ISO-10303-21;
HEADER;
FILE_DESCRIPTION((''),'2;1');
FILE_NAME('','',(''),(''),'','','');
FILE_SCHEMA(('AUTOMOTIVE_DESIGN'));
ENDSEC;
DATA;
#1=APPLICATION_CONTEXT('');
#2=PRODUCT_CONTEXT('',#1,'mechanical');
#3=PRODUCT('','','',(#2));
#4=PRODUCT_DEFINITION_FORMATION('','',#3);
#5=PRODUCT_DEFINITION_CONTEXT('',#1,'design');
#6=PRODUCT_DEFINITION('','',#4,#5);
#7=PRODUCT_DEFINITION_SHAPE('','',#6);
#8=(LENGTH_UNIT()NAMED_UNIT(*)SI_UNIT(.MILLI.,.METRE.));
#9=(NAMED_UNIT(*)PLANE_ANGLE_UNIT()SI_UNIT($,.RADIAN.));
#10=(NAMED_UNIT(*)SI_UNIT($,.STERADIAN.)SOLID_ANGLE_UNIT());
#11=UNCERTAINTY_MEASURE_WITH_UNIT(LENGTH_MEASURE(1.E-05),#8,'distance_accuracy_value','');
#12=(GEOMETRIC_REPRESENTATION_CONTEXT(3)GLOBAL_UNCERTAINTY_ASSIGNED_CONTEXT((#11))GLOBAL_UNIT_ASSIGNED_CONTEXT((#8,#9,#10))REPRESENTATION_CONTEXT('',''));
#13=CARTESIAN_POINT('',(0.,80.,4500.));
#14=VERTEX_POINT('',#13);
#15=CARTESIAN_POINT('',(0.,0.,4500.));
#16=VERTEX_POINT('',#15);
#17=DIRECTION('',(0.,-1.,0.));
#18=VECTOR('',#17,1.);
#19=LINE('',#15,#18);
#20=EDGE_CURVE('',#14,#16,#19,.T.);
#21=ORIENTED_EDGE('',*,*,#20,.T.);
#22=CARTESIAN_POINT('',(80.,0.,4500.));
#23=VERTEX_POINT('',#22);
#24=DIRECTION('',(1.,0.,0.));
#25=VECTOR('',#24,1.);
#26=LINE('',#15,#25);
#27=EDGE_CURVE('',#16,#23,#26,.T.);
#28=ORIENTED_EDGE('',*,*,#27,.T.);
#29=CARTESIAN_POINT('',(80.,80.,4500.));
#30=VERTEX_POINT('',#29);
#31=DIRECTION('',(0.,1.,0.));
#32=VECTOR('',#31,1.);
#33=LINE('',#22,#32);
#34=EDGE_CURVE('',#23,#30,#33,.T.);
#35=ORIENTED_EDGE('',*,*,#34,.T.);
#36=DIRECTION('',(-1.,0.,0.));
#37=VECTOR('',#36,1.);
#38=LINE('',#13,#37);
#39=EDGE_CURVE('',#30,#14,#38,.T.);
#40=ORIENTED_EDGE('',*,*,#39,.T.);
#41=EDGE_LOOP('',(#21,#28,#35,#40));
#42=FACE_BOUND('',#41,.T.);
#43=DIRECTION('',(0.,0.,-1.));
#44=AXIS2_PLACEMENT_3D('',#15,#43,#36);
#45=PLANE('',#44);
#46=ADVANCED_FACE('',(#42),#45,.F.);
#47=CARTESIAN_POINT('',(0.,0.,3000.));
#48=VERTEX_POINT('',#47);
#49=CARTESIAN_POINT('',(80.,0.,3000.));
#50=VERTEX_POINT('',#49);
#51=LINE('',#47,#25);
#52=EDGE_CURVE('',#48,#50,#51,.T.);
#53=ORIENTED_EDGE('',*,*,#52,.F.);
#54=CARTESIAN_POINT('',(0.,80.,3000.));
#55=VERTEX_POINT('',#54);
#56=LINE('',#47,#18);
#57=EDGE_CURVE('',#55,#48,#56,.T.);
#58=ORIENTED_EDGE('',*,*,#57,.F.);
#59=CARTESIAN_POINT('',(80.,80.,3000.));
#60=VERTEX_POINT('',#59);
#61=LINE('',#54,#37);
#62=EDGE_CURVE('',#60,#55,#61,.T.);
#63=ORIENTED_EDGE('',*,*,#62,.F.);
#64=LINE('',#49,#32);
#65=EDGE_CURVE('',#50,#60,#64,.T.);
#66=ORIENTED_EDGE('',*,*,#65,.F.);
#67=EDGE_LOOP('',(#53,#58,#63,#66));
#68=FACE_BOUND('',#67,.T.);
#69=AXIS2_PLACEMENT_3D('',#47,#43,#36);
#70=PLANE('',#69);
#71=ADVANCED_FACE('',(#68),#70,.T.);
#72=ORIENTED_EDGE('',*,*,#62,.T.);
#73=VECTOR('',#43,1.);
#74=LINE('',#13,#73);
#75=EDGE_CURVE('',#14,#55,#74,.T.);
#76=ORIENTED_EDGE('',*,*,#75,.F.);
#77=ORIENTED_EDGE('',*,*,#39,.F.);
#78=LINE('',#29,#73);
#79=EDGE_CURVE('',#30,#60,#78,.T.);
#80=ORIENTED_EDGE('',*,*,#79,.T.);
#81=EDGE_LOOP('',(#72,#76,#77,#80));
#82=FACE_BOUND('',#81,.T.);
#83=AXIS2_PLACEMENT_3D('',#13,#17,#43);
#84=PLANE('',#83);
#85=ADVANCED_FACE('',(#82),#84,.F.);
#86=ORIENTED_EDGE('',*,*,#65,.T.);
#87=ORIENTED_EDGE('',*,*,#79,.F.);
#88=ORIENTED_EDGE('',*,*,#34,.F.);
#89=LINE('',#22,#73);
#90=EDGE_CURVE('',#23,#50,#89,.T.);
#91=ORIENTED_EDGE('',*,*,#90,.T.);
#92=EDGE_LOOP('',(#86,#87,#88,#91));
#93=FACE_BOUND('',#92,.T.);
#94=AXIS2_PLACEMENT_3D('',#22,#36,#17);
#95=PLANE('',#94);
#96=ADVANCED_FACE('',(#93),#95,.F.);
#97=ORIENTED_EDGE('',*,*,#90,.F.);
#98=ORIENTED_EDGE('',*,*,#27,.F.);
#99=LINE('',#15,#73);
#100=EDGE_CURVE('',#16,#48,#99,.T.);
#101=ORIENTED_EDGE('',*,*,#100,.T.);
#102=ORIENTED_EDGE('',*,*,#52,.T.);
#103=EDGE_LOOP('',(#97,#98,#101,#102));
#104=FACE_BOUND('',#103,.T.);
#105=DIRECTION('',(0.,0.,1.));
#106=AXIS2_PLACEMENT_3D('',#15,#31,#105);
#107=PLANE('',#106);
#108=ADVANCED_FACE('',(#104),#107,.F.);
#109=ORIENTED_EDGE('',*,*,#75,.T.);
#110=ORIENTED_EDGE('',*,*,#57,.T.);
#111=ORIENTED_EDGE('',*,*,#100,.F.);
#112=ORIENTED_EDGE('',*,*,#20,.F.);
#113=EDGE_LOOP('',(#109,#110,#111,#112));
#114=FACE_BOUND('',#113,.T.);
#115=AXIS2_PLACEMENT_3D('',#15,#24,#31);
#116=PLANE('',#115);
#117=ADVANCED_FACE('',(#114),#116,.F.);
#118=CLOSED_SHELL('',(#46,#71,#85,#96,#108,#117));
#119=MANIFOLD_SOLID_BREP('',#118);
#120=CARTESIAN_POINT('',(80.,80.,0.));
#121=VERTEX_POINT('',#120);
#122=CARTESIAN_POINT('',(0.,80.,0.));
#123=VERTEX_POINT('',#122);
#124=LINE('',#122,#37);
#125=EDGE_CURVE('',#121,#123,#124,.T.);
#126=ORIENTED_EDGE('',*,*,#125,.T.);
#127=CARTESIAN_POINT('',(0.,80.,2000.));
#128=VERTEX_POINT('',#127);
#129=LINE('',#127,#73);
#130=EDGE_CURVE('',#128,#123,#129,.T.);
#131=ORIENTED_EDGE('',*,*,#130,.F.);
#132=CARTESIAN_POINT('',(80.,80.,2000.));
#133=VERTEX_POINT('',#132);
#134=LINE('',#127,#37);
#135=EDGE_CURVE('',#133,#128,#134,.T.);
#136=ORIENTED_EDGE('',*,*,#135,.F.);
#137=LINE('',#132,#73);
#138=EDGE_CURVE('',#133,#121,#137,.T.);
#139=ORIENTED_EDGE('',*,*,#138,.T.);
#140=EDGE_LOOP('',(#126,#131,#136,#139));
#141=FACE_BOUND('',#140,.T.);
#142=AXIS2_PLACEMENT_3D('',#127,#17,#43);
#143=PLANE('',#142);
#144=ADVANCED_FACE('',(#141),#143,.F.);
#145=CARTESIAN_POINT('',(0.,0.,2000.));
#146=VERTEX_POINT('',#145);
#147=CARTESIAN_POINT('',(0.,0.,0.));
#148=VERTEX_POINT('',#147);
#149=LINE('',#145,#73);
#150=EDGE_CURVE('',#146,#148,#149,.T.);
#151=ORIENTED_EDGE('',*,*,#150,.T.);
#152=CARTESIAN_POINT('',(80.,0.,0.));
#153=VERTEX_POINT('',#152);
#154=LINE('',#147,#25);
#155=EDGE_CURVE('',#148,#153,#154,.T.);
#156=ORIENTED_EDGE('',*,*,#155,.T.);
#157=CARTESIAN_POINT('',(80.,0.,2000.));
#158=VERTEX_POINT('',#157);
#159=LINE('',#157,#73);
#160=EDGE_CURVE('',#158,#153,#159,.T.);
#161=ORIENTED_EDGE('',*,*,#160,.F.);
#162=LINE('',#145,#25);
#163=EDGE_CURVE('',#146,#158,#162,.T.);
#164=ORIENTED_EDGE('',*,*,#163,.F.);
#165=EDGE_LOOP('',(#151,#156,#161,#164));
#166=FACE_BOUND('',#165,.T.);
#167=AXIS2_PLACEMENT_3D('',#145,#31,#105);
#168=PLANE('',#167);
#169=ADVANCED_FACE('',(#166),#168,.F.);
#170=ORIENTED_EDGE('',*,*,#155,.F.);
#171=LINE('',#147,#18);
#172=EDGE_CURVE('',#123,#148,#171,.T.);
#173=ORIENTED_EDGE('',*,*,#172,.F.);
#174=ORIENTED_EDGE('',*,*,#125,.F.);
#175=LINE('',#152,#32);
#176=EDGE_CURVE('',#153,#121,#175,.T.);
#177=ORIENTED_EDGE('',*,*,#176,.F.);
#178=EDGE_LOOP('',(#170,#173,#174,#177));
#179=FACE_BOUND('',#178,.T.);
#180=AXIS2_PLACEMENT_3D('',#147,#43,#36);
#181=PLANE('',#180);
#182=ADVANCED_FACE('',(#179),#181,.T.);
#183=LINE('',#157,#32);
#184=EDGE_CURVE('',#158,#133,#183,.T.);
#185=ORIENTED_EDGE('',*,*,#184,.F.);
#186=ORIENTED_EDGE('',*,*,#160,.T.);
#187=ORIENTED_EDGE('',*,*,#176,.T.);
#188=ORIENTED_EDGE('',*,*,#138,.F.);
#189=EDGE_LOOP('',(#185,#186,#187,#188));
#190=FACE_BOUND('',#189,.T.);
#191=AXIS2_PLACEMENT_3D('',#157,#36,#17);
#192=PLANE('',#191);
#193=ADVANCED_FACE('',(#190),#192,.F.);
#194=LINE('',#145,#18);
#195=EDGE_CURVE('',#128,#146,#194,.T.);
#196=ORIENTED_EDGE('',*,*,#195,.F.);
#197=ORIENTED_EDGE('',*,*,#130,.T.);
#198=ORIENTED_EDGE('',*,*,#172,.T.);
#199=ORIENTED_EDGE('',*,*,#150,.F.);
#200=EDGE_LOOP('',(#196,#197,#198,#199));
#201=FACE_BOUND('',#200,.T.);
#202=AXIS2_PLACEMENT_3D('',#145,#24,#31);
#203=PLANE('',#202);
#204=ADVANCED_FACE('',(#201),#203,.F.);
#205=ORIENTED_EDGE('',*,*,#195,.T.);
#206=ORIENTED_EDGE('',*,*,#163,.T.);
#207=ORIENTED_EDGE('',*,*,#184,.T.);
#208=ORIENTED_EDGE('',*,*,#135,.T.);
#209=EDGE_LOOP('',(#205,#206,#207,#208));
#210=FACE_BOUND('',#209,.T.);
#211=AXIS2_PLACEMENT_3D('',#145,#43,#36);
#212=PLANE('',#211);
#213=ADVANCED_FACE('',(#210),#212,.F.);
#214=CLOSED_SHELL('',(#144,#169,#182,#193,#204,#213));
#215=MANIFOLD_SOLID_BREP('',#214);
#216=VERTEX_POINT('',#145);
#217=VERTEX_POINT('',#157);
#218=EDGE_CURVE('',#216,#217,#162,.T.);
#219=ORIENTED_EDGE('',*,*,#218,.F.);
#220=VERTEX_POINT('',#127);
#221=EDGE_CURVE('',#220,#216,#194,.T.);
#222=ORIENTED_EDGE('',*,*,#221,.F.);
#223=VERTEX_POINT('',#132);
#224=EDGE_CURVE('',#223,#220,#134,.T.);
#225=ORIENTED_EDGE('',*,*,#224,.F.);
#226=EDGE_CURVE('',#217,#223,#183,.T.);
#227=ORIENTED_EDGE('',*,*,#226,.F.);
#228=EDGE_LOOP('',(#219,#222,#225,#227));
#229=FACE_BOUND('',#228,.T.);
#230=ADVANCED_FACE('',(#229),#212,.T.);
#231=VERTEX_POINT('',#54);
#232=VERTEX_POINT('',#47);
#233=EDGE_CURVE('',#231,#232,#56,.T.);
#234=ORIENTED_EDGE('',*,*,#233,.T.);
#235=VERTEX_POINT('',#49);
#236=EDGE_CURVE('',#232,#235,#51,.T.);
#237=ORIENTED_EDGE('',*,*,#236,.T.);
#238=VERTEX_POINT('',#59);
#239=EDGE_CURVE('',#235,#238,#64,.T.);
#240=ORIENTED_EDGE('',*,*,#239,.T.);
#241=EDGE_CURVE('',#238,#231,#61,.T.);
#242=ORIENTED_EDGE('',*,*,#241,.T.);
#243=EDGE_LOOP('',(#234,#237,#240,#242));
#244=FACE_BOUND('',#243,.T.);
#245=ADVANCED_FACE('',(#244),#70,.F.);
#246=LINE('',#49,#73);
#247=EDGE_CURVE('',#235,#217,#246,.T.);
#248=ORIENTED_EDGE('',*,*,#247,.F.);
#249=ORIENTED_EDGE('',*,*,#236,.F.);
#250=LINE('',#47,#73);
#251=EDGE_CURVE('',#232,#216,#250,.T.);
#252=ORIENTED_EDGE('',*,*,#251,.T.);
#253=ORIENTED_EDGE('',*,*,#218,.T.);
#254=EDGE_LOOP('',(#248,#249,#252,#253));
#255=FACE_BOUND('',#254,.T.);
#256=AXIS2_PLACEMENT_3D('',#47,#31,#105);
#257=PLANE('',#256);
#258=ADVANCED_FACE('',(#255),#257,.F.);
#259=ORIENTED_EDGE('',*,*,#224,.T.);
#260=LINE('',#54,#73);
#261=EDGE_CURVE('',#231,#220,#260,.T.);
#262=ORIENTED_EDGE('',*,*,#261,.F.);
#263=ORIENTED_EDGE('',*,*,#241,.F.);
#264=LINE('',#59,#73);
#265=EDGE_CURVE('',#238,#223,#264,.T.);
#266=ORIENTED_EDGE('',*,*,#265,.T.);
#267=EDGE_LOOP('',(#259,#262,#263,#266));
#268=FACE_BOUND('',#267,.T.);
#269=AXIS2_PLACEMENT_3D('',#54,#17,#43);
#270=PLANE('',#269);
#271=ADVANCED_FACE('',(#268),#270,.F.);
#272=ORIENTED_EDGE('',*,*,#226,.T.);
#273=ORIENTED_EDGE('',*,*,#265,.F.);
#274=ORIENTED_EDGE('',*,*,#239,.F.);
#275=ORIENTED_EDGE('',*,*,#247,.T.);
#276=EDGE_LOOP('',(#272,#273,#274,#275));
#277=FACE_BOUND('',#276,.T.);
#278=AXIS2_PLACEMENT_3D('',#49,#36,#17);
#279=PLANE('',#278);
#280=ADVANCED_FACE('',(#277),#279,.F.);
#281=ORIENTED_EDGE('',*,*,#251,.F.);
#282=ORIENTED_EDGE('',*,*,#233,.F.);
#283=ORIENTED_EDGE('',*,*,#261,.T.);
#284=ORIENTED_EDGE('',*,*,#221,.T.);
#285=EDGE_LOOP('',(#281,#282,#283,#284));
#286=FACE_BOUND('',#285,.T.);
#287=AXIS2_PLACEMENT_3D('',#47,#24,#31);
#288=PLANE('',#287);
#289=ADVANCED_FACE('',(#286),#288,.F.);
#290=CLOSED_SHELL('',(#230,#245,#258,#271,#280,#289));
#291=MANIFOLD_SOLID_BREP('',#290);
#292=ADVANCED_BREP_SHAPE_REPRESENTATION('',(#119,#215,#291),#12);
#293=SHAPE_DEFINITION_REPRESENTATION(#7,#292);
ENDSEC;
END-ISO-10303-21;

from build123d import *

# Parameters (mm, degrees)
SZKIC1_W                     = 80
SZKIC1_H                     = 80
DODANIE_WYCI_GNI_CIE8_DEPTH  = 2000
DODANIE_WYCI_GNI_CIE9_START  = 2000
SZKIC1_12_W                  = 80
SZKIC1_12_H                  = 80
DODANIE_WYCI_GNI_CIE9_DEPTH  = 1000
DODANIE_WYCI_GNI_CIE10_START = 3000
SZKIC1_13_W                  = 80
SZKIC1_13_H                  = 80
DODANIE_WYCI_GNI_CIE10_DEPTH = 1500


with BuildPart() as part:
    # Szkic1 → Dodanie-wyciągnięcie8 (new body)
    with BuildSketch(Plane.XY):
        with Locations((40, 40)):
            Rectangle(SZKIC1_W, SZKIC1_H)
    extrude(amount=DODANIE_WYCI_GNI_CIE8_DEPTH)


with BuildPart() as body_2:
    # Szkic1<12> → Dodanie-wyciągnięcie9 (new body)
    with BuildSketch(Plane.XY.offset(DODANIE_WYCI_GNI_CIE9_START)):
        with Locations((40, 40)):
            Rectangle(SZKIC1_12_W, SZKIC1_12_H)
    extrude(amount=DODANIE_WYCI_GNI_CIE9_DEPTH)


with BuildPart() as body_3:
    # Szkic1<13> → Dodanie-wyciągnięcie10 (new body)
    with BuildSketch(Plane.XY.offset(DODANIE_WYCI_GNI_CIE10_START)):
        with Locations((40, 40)):
            Rectangle(SZKIC1_13_W, SZKIC1_13_H)
    extrude(amount=DODANIE_WYCI_GNI_CIE10_DEPTH)


solid = Compound([part.part, body_2.part, body_3.part])
